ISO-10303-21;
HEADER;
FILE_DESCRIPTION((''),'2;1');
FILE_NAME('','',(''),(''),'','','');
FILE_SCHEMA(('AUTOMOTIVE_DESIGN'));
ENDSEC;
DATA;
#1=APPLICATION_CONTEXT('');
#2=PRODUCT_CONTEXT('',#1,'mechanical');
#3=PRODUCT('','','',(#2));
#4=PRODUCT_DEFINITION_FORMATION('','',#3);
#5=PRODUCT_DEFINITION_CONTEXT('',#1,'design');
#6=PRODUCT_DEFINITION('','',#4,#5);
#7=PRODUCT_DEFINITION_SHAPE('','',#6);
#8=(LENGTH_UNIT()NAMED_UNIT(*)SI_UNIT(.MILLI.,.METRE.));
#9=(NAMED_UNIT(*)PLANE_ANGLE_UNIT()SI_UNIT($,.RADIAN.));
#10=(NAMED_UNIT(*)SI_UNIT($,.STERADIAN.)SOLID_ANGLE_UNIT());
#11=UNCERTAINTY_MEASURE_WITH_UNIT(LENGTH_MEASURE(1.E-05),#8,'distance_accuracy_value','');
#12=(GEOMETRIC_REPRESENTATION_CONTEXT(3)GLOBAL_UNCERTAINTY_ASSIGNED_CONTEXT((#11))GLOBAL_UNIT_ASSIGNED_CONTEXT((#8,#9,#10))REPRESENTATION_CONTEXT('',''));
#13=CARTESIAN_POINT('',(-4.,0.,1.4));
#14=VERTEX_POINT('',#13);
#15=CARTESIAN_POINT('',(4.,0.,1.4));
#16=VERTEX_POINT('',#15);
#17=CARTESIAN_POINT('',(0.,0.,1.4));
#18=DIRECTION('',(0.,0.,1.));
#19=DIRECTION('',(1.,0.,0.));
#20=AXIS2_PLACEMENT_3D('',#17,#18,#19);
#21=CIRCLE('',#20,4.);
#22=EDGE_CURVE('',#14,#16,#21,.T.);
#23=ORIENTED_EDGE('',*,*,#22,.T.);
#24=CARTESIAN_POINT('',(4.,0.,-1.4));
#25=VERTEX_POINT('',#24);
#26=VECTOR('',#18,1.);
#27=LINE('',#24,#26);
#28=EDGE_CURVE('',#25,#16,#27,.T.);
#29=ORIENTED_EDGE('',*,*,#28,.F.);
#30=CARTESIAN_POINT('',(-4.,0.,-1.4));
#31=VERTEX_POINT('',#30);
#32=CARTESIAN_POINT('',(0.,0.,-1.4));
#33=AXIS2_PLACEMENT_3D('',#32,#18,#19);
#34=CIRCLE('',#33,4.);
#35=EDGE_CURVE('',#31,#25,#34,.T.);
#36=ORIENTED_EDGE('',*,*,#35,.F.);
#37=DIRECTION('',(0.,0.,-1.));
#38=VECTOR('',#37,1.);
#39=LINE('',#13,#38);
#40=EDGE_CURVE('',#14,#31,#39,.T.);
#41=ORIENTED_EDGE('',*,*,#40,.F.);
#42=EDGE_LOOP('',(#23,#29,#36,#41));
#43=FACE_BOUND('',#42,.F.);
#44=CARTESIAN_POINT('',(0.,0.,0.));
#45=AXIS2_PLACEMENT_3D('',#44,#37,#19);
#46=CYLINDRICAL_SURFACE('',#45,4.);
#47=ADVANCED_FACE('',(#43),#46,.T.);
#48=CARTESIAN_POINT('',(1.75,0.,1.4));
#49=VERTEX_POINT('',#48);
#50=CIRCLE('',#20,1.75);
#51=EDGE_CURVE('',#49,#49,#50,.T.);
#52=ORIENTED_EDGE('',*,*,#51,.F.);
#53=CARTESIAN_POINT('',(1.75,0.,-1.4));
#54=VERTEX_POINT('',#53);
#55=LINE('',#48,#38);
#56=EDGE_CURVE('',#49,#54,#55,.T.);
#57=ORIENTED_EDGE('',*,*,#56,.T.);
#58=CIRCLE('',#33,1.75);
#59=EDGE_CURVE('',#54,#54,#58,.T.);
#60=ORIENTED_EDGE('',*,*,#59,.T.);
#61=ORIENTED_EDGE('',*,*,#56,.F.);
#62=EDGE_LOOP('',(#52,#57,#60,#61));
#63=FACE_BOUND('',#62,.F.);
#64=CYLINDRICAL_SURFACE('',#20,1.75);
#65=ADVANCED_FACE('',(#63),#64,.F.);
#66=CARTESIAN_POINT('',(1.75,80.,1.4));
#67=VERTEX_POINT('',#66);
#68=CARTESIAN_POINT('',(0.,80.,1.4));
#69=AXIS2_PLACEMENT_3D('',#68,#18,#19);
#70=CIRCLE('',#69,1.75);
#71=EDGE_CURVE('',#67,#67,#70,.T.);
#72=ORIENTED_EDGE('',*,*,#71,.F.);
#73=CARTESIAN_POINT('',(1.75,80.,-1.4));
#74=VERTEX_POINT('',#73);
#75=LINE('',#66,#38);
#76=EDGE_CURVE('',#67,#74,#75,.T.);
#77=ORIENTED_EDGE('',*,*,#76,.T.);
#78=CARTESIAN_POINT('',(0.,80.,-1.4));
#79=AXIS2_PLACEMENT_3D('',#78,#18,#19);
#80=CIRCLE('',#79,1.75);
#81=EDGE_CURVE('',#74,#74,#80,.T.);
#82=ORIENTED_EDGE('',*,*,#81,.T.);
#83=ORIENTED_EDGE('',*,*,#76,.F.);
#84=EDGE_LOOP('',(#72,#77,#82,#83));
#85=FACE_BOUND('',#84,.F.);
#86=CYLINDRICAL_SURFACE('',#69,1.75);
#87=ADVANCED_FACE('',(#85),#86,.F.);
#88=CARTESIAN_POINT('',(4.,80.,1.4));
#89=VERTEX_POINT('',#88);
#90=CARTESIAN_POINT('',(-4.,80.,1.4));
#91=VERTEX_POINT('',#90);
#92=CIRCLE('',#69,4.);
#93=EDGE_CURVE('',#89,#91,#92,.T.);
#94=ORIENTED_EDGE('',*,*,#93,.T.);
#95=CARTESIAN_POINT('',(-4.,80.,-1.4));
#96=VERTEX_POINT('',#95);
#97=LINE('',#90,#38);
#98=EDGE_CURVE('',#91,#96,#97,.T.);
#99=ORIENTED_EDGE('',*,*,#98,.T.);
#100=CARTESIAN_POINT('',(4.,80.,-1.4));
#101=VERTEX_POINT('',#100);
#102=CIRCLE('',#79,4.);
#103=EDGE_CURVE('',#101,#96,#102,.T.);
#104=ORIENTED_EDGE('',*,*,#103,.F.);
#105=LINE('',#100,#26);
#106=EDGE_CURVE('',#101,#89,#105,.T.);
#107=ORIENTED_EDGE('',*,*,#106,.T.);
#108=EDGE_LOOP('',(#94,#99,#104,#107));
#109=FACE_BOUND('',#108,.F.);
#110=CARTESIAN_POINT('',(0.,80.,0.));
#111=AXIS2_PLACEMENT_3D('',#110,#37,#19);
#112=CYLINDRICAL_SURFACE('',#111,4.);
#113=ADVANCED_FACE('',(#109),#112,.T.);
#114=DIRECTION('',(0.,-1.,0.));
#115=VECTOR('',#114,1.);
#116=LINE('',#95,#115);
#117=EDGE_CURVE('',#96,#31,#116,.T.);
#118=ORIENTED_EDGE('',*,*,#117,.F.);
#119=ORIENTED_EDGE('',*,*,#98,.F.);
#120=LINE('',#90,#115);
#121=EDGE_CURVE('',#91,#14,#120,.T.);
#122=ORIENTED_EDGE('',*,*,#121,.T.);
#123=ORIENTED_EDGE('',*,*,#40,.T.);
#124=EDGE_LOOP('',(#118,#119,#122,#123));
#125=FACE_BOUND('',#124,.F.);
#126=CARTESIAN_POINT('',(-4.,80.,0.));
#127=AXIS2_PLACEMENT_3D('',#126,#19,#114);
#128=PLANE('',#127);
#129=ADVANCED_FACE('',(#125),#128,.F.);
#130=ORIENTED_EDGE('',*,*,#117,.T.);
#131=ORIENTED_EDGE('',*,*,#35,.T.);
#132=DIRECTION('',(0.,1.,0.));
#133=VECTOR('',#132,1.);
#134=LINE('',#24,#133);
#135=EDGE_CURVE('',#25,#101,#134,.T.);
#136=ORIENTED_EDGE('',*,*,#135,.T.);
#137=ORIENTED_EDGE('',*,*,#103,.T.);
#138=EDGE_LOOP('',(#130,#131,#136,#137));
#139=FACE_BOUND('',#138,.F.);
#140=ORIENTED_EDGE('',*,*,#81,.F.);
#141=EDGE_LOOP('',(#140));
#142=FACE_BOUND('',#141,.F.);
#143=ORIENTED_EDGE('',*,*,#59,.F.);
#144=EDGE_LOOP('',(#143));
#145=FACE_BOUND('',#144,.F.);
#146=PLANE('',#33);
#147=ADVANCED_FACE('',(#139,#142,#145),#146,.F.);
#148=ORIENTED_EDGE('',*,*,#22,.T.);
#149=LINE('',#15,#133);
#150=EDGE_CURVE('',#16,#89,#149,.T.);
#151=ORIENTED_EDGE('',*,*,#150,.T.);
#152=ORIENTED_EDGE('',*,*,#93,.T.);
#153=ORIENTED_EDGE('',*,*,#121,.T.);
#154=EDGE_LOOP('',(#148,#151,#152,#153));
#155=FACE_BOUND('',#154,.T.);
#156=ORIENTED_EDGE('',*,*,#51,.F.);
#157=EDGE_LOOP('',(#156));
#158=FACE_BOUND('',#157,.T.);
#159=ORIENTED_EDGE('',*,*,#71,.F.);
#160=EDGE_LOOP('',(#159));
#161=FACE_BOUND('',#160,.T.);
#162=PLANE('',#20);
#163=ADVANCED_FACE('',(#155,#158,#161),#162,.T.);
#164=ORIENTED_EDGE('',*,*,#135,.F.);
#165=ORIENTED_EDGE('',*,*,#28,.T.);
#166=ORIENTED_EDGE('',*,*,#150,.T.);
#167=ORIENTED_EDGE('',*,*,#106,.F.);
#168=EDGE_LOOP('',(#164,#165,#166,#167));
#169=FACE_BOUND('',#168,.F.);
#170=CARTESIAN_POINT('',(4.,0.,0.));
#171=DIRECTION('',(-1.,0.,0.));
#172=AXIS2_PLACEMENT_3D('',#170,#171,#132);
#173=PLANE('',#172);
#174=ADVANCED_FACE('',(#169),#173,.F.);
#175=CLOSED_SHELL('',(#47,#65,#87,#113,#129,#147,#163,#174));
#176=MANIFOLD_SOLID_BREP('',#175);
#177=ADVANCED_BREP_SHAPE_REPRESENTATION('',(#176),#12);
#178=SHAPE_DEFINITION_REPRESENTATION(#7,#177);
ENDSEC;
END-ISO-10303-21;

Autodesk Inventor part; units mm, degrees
ref_plane "YZ Plane" through (0, 0, 0) normal (1, 0, 0) x (0, 1, 0)
ref_plane "XZ Plane" through (0, 0, 0) normal (0, 1, 0) x (-1, 0, 0)
ref_plane "XY Plane" through (0, 0, 0) normal (0, 0, 1) x (1, 0, 0)
sketch "Sketch1" plane through (0, 0, 0) normal (0, 0, 1) x (1, 0, 0)
  circle A0 centre (0, 0) radius 4
  line L0 (0, 0) -> (0, 80) construction
  line L1 (4, 0) -> (4, 80)
  line L2 (-4, 80) -> (-4, 0)
  arc A1 (-4, 0) -> (4, 0) centre (0, 0) ccw
  arc A2 (4, 80) -> (-4, 80) centre (0, 80) ccw
  point P0 (0, 40)
  dimension "d0" = 8
  dimension "d1" = 8
  dimension "d2" = 80
extrude "Extrusion1" add sketch "Sketch1" along normal mid plane 2.8
sketch "Sketch2" plane through (0, 0, 1.4) normal (0, 0, 1) x (1, 0, 0)
  arc A0 (4, 80) -> (-4, 80) centre (0, 80) ccw construction
  arc A1 (-4, 0) -> (4, 0) centre (0, 0) ccw construction
  circle A2 centre (0, 0) radius 1.75
  circle A3 centre (0, 80) radius 1.75
  line L0 (0, 12.7) -> (0, 5.7) construction
  line L1 (-1.3, 11.4) -> (-1.3, 7)
  line L2 (1.3, 7) -> (1.3, 11.4)
  arc A4 (1.3, 11.4) -> (-1.3, 11.4) centre (0, 11.4) ccw
  arc A5 (-1.3, 7) -> (1.3, 7) centre (0, 7) ccw
  point P0 (0, 9.2)
  dimension "d5" = 7
  dimension "d6" = 2.6
  dimension "d7" = 7
  dimension "d8" = 3.5
  dimension "d9" = 3.5
extrude "Extrusion2" cut sketch "Sketch2" against normal through all contours A2 | A3
